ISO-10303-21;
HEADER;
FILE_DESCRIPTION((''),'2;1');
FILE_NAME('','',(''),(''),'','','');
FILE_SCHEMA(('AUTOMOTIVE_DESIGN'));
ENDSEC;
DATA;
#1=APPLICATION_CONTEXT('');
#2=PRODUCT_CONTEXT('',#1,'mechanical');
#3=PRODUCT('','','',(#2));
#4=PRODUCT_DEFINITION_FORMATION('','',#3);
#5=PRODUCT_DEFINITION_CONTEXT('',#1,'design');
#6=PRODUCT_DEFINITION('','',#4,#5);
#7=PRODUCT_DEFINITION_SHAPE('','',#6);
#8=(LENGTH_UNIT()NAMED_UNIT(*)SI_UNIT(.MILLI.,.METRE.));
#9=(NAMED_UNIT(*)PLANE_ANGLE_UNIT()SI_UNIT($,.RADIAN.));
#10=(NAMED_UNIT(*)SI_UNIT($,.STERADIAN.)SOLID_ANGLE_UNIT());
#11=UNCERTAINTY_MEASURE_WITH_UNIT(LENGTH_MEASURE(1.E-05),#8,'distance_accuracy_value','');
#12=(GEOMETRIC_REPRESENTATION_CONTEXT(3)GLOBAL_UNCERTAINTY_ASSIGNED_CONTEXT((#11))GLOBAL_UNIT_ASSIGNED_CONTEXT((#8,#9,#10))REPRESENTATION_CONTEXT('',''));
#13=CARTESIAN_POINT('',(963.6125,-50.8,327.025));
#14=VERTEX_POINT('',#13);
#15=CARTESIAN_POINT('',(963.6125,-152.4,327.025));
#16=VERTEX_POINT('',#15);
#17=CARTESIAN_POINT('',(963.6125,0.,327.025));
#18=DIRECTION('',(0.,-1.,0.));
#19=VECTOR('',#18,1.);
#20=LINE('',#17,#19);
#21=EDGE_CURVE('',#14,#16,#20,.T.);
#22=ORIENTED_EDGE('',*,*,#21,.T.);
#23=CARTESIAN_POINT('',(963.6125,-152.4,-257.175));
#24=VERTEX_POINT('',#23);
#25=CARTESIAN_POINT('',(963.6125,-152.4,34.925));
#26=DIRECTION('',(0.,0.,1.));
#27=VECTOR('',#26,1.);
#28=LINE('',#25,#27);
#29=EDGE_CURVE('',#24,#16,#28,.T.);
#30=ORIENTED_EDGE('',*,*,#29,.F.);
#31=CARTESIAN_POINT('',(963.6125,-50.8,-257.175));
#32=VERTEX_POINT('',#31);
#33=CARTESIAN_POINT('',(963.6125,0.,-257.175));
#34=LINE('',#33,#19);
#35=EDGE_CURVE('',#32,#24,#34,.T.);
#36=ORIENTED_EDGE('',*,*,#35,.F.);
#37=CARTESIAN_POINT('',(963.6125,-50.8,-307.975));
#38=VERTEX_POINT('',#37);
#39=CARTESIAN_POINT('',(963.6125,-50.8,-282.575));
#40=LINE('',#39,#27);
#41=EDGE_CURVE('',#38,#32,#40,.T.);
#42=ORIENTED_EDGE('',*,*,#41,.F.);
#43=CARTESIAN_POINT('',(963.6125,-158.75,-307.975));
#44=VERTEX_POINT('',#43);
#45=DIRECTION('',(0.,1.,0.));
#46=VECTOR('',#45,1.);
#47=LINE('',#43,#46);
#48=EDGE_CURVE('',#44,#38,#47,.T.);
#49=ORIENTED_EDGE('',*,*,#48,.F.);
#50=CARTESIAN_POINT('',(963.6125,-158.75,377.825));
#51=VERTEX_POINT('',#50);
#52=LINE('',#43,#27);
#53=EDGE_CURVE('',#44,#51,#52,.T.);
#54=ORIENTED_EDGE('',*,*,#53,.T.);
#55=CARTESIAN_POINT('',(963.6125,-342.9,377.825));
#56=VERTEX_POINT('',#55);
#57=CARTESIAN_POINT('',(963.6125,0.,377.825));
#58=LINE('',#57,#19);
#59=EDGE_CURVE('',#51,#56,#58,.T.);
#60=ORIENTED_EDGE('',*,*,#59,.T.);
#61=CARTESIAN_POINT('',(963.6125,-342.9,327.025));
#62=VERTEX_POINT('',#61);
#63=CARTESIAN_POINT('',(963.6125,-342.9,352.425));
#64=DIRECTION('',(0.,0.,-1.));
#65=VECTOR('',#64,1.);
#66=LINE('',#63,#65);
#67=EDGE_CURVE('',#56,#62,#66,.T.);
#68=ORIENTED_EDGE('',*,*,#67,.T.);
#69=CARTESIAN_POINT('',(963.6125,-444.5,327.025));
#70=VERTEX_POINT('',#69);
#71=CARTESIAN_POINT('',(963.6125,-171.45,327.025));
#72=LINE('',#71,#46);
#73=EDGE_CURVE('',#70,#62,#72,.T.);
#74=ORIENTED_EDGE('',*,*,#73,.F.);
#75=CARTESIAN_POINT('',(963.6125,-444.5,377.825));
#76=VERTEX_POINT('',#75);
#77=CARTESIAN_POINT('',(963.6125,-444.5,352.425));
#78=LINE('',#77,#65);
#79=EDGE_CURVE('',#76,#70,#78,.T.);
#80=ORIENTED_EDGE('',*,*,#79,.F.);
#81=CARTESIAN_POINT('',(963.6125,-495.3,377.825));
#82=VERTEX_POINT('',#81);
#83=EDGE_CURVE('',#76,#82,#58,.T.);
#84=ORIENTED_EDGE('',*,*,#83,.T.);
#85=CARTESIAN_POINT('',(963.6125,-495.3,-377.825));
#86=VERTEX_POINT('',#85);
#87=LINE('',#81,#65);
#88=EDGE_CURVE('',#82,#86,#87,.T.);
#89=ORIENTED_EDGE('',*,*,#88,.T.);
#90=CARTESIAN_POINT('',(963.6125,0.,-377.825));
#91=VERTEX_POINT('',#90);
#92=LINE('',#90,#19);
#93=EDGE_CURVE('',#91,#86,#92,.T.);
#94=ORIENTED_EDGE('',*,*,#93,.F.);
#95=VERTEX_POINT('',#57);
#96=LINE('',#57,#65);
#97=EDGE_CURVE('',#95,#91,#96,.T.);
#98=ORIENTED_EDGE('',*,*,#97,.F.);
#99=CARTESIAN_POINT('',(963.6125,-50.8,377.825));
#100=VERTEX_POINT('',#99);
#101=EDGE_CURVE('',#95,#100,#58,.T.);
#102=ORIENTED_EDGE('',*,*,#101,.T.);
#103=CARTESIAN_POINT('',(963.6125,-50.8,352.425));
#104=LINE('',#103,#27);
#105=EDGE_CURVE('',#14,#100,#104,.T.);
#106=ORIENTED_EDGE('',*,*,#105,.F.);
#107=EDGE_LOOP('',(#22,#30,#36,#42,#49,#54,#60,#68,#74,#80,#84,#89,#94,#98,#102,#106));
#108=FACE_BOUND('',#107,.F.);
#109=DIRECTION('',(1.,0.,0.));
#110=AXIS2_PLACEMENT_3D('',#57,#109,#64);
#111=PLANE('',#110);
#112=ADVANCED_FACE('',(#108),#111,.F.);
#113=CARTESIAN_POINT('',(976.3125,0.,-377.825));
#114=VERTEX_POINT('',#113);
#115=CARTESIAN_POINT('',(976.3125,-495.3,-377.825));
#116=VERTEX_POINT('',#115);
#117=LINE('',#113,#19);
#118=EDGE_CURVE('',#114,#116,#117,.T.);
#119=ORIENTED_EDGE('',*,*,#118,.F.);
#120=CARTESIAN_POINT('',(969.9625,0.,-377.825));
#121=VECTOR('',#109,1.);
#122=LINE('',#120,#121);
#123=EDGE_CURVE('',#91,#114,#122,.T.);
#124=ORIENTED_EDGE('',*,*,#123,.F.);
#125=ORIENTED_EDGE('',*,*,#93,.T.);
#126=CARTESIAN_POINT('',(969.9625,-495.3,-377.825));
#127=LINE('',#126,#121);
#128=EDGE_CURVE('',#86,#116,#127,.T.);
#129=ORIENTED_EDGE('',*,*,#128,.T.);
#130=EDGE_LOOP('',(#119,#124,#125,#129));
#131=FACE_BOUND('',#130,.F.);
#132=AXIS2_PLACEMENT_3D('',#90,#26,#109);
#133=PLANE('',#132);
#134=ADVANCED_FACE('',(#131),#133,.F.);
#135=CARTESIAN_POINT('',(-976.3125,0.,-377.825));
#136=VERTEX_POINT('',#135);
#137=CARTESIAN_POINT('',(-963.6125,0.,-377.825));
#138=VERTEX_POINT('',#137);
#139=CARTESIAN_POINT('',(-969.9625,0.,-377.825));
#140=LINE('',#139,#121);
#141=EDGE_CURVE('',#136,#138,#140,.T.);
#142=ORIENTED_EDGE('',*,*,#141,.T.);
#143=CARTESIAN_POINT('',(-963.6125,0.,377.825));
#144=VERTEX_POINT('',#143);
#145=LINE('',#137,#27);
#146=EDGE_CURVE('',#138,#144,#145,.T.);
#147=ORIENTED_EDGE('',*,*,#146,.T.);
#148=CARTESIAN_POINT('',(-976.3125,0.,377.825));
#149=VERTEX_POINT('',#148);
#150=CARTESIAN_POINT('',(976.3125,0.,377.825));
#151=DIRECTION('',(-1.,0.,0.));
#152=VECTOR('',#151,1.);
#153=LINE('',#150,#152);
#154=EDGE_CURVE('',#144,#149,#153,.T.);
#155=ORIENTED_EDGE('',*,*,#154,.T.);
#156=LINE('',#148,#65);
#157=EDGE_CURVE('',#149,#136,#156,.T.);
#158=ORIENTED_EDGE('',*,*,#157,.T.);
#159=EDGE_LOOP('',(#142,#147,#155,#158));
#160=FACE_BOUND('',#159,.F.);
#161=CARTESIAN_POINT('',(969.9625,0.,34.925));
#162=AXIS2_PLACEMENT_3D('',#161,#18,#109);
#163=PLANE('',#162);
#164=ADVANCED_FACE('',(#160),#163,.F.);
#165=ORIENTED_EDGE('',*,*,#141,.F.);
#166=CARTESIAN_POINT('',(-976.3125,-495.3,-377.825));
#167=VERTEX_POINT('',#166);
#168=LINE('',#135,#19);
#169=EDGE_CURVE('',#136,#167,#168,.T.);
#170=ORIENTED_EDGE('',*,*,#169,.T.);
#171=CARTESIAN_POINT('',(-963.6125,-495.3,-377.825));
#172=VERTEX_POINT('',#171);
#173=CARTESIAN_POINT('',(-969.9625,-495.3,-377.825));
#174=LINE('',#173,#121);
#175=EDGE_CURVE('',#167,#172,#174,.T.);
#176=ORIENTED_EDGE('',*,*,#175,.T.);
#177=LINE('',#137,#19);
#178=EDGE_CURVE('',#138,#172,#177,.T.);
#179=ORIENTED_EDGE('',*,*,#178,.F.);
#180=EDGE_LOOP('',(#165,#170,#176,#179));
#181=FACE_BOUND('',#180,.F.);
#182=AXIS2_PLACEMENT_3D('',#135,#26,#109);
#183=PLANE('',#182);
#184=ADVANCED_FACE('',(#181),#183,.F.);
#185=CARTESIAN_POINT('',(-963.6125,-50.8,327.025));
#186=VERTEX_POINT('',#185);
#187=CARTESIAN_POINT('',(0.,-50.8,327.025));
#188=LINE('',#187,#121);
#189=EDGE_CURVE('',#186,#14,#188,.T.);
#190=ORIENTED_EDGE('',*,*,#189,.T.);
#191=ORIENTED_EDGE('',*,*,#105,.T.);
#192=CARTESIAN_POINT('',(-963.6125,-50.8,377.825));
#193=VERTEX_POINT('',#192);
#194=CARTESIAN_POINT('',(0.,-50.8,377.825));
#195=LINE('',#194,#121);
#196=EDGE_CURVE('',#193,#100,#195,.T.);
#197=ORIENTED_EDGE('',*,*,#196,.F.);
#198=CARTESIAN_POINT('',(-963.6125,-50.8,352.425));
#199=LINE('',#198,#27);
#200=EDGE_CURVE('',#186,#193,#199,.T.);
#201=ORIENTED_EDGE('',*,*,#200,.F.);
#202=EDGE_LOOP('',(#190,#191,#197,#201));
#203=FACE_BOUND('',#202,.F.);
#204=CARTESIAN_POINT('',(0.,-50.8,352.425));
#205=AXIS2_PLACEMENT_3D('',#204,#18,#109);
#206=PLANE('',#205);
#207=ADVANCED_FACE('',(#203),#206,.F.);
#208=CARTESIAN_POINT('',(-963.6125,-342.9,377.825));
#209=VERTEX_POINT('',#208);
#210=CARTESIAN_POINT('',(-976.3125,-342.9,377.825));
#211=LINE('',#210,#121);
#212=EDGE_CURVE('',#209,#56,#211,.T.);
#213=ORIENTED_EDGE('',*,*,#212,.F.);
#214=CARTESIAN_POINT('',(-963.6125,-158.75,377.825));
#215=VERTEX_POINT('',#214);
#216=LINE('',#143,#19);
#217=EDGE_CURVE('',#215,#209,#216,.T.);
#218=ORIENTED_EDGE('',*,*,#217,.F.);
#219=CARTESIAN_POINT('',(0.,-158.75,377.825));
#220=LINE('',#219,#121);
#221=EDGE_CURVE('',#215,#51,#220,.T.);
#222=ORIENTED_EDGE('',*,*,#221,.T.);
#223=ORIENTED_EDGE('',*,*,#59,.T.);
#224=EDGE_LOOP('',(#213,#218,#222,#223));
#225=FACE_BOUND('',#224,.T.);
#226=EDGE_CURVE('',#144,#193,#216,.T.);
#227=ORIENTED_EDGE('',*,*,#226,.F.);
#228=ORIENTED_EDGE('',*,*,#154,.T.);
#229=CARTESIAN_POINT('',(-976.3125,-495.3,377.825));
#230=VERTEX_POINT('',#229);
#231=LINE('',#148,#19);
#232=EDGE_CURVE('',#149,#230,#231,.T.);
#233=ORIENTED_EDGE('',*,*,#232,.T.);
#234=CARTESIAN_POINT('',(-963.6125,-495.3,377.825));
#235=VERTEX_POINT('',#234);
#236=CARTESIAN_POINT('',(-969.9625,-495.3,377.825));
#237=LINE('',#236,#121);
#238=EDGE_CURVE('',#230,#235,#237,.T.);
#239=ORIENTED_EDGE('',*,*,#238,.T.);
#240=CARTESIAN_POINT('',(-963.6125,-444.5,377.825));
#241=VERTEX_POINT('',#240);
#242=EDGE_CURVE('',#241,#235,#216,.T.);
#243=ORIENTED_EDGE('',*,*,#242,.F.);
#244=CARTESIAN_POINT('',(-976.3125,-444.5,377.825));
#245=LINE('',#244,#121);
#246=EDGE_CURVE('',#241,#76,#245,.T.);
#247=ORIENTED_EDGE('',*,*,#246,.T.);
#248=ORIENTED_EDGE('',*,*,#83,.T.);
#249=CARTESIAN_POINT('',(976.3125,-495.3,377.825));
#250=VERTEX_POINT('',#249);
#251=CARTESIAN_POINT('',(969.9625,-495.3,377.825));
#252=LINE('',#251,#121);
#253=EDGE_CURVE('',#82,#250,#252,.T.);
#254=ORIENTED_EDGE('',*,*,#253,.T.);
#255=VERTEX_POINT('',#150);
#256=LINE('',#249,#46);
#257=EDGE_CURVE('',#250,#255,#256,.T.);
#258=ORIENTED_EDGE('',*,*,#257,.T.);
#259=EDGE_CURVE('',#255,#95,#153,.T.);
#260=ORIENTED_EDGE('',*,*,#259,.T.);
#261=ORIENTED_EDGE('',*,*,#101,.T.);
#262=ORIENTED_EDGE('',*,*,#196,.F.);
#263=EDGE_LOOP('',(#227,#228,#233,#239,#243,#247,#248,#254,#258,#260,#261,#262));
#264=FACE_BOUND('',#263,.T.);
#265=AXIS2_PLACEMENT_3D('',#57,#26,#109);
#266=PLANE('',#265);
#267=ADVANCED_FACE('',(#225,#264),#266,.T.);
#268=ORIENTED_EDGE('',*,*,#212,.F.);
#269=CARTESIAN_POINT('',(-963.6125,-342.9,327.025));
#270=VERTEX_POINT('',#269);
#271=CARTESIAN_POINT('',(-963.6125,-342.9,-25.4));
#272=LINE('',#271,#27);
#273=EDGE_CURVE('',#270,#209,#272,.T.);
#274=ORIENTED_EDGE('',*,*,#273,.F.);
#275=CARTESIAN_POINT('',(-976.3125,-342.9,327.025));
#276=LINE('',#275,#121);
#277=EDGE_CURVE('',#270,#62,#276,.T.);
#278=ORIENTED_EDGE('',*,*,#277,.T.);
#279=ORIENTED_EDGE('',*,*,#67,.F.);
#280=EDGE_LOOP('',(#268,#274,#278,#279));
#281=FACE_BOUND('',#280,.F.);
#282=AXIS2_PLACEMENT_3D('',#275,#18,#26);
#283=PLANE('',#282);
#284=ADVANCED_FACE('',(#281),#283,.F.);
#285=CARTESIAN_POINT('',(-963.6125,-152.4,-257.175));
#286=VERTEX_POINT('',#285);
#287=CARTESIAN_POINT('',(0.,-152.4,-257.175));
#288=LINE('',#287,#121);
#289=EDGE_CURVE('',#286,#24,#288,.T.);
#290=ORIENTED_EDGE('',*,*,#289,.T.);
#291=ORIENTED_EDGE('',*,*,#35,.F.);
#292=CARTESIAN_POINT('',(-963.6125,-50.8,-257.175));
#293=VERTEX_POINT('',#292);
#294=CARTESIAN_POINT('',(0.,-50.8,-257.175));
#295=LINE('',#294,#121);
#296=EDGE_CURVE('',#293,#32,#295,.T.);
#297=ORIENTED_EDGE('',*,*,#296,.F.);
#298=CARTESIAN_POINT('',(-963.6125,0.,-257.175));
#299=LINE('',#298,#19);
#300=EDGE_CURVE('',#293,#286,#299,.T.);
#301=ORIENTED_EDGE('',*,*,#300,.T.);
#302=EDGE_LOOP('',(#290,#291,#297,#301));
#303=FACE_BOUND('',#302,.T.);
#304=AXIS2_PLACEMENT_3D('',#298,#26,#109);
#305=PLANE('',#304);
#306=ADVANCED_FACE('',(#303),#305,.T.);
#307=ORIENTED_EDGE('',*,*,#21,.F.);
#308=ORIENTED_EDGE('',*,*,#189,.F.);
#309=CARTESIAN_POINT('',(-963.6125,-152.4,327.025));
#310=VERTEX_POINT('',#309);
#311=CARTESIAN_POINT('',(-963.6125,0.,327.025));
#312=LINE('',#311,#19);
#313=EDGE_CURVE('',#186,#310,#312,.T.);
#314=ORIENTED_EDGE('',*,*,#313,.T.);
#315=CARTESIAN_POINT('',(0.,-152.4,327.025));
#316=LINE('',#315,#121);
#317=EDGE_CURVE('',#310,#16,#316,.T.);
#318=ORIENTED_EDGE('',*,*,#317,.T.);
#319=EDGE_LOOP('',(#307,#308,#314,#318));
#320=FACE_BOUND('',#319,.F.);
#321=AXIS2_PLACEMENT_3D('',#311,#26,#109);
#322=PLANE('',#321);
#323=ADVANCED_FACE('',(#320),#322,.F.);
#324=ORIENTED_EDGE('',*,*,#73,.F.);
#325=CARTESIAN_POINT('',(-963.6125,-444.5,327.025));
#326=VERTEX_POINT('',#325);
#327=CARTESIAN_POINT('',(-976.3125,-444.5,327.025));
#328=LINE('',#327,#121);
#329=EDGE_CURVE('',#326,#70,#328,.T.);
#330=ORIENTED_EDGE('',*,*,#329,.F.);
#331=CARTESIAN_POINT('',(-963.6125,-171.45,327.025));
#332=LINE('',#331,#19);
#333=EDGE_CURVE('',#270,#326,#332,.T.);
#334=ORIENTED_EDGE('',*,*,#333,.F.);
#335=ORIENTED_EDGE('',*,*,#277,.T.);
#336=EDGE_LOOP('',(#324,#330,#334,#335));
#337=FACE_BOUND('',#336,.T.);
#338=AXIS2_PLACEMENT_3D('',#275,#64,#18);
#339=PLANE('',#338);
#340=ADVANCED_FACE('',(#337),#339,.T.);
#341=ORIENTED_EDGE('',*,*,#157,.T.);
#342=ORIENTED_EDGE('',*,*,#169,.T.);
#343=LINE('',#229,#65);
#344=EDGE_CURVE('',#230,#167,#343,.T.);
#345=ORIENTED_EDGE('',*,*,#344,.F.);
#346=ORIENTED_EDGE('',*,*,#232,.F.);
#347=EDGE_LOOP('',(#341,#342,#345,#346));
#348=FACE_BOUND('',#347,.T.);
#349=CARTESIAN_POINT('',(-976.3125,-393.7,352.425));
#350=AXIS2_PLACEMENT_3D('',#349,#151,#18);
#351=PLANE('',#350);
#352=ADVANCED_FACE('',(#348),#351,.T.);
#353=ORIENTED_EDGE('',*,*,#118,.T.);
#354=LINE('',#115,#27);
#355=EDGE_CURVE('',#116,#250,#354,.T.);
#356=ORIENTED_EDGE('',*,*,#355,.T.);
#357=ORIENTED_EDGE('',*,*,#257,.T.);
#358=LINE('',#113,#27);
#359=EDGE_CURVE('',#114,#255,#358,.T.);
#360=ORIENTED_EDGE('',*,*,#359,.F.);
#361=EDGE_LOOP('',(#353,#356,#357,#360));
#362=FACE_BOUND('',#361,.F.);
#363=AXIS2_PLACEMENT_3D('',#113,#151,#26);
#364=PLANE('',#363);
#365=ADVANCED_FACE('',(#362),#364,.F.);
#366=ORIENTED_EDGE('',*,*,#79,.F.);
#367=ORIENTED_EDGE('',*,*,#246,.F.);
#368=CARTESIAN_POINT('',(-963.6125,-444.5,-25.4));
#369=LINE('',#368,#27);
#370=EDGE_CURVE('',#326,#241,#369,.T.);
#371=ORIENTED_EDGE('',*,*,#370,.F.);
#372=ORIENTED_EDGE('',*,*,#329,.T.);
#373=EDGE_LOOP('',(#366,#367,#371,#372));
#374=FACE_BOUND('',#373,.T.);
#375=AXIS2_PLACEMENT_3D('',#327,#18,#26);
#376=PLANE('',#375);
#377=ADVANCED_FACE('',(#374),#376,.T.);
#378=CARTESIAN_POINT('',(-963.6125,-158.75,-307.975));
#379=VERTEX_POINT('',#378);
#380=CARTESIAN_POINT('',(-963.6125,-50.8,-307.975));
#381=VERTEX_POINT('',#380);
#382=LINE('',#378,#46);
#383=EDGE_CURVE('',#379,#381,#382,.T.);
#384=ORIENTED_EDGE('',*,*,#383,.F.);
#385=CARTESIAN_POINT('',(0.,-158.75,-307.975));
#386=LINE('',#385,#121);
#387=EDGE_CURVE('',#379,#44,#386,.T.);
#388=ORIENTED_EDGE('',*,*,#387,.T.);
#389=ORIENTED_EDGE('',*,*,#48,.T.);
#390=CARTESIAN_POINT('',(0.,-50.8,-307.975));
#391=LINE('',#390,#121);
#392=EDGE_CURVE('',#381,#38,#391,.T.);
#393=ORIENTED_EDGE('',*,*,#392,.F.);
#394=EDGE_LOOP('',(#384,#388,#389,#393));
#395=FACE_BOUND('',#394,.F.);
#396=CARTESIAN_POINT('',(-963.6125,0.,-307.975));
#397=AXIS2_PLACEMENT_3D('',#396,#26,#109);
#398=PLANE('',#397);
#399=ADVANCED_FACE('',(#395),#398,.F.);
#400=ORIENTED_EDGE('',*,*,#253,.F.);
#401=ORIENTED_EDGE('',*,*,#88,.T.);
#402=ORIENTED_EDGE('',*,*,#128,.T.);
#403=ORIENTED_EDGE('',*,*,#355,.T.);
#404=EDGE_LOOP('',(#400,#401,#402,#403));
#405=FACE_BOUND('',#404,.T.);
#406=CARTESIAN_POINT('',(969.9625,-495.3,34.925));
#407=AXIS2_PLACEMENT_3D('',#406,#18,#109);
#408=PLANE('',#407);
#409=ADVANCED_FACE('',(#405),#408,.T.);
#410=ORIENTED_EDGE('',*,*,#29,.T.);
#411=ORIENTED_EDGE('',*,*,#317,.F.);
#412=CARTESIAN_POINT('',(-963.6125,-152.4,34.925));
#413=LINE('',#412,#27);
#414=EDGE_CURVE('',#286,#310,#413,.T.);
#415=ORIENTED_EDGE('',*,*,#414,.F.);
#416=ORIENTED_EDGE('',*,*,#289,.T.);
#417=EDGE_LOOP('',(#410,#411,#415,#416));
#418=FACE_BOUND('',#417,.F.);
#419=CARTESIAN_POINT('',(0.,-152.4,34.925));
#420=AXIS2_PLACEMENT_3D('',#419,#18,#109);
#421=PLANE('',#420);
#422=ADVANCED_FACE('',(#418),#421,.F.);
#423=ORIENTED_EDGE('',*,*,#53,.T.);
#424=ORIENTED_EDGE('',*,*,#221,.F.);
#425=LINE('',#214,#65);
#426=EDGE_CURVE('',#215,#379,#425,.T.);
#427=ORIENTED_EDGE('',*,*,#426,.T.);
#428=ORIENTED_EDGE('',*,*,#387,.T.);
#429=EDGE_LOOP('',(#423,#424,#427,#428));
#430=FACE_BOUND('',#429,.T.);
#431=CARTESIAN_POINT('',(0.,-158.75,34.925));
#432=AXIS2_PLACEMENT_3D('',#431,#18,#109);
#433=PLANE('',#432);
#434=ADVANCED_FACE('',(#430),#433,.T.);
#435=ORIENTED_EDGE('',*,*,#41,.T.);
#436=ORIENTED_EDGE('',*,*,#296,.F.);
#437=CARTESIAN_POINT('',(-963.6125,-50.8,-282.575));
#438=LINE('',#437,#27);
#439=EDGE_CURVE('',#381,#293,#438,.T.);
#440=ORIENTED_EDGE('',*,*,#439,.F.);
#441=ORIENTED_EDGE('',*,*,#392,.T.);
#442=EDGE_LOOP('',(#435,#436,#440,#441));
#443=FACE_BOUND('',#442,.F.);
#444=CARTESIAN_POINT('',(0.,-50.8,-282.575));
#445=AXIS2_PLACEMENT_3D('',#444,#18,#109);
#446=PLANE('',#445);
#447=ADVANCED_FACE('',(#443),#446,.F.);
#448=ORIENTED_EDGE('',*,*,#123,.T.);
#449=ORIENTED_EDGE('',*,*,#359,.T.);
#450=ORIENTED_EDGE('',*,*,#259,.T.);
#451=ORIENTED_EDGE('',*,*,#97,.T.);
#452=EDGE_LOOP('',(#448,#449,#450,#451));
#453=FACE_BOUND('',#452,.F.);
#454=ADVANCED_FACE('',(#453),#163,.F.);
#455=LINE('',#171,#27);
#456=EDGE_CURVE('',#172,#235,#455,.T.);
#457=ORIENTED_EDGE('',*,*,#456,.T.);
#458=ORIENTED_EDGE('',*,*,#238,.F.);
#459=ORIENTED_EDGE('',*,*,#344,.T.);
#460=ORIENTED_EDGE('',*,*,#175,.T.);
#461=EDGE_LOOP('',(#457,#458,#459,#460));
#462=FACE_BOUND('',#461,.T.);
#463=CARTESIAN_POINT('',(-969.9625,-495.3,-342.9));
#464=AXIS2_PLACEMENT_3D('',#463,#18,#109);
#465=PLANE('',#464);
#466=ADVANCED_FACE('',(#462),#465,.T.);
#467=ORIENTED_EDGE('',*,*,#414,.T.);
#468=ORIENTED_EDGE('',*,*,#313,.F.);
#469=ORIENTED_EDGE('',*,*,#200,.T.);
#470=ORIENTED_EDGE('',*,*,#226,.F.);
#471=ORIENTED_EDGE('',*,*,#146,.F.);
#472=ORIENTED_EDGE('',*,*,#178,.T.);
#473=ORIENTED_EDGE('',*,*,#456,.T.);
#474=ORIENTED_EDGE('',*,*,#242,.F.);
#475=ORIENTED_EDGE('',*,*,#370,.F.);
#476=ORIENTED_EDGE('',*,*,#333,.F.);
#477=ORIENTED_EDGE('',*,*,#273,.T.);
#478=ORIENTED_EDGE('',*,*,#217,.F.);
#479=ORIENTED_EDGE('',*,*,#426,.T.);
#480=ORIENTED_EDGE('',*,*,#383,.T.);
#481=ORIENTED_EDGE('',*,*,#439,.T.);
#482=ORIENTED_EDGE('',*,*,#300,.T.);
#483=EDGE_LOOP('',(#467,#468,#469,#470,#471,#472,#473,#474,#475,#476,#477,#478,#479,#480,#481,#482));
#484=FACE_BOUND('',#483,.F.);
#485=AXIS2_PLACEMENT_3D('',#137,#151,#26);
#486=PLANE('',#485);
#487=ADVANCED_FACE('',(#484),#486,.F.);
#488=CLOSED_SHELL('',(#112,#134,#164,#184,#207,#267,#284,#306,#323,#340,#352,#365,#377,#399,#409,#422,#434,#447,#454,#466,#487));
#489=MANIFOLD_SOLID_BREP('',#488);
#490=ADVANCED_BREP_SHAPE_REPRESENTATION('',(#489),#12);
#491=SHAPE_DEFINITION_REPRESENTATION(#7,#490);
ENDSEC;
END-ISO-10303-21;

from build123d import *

# Parameters (mm, degrees)
F0_W     = 12.7
F0_H     = 69.85
F0_H_2   = 50.8
F0_H_3   = 584.2
F1_DEPTH = 495.3
F0_W_2   = 1927.225
F2_DEPTH = 152.4
F3_DEPTH = 158.75
F4_DEPTH = 495.3
F5_DEPTH = 50.8
F6_W     = 101.6
F6_H     = 50.8
F7_DEPTH = 1952.625
F8_DEPTH = 152.4


with BuildPart() as f1:
    # F0 (on Front) → F1 (new body)
    with BuildSketch(Plane.XZ):
        with Locations((-969.9625, -342.9)):
            Rectangle(F0_W, F0_H)
        with Locations((-969.9625, -282.575)):
            Rectangle(F0_W, F0_H_2)
        with Locations((-969.9625, 34.925)):
            Rectangle(F0_W, F0_H_3)
        with Locations((-969.9625, 352.425)):
            Rectangle(F0_W, F0_H_2)
    extrude(amount=F1_DEPTH)

    # F0 (on Front) → F2 (join)
    with BuildSketch(Plane.XZ):
        with Locations((0, 352.425)):
            Rectangle(F0_W_2, F0_H_2)
        with Locations((0, -282.575)):
            Rectangle(F0_W_2, F0_H_2)
    extrude(amount=F2_DEPTH)

    # F0 (on Front) → F3 (join)
    with BuildSketch(Plane.XZ):
        with Locations((0, 34.925)):
            Rectangle(F0_W_2, F0_H_3)
        with Locations((0, 352.425)):
            Rectangle(F0_W_2, F0_H_2)
        with Locations((0, -282.575)):
            Rectangle(F0_W_2, F0_H_2)
    extrude(amount=F3_DEPTH)

    # F0 (on Front) → F4 (join)
    with BuildSketch(Plane.XZ):
        with Locations((969.9625, 34.925)):
            Rectangle(F0_W, F0_H_3)
        with Locations((969.9625, 352.425)):
            Rectangle(F0_W, F0_H_2)
        with Locations((969.9625, -282.575)):
            Rectangle(F0_W, F0_H_2)
        with Locations((969.9625, -342.9)):
            Rectangle(F0_W, F0_H)
    extrude(amount=F4_DEPTH)

    # F0 (on Front) → F5 (cut)
    with BuildSketch(Plane.XZ):
        with Locations((0, 352.425)):
            Rectangle(F0_W_2, F0_H_2)
        with Locations((0, -282.575)):
            Rectangle(F0_W_2, F0_H_2)
    extrude(amount=F5_DEPTH, mode=Mode.SUBTRACT)

    # F6 (on face) → F7 (join, through all)
    with BuildSketch(Plane(origin=(-976.3125, 0, 0), x_dir=(0, -1, 0), z_dir=(-1, 0, 0))):
        with Locations((393.7, 352.425)):
            Rectangle(F6_W, F6_H)
    extrude(amount=-F7_DEPTH)

    # F0 (on Front) → F8 (cut)
    with BuildSketch(Plane.XZ):
        with Locations((0, 34.925)):
            Rectangle(F0_W_2, F0_H_3)
    extrude(amount=F8_DEPTH, mode=Mode.SUBTRACT)


solid = f1.part
